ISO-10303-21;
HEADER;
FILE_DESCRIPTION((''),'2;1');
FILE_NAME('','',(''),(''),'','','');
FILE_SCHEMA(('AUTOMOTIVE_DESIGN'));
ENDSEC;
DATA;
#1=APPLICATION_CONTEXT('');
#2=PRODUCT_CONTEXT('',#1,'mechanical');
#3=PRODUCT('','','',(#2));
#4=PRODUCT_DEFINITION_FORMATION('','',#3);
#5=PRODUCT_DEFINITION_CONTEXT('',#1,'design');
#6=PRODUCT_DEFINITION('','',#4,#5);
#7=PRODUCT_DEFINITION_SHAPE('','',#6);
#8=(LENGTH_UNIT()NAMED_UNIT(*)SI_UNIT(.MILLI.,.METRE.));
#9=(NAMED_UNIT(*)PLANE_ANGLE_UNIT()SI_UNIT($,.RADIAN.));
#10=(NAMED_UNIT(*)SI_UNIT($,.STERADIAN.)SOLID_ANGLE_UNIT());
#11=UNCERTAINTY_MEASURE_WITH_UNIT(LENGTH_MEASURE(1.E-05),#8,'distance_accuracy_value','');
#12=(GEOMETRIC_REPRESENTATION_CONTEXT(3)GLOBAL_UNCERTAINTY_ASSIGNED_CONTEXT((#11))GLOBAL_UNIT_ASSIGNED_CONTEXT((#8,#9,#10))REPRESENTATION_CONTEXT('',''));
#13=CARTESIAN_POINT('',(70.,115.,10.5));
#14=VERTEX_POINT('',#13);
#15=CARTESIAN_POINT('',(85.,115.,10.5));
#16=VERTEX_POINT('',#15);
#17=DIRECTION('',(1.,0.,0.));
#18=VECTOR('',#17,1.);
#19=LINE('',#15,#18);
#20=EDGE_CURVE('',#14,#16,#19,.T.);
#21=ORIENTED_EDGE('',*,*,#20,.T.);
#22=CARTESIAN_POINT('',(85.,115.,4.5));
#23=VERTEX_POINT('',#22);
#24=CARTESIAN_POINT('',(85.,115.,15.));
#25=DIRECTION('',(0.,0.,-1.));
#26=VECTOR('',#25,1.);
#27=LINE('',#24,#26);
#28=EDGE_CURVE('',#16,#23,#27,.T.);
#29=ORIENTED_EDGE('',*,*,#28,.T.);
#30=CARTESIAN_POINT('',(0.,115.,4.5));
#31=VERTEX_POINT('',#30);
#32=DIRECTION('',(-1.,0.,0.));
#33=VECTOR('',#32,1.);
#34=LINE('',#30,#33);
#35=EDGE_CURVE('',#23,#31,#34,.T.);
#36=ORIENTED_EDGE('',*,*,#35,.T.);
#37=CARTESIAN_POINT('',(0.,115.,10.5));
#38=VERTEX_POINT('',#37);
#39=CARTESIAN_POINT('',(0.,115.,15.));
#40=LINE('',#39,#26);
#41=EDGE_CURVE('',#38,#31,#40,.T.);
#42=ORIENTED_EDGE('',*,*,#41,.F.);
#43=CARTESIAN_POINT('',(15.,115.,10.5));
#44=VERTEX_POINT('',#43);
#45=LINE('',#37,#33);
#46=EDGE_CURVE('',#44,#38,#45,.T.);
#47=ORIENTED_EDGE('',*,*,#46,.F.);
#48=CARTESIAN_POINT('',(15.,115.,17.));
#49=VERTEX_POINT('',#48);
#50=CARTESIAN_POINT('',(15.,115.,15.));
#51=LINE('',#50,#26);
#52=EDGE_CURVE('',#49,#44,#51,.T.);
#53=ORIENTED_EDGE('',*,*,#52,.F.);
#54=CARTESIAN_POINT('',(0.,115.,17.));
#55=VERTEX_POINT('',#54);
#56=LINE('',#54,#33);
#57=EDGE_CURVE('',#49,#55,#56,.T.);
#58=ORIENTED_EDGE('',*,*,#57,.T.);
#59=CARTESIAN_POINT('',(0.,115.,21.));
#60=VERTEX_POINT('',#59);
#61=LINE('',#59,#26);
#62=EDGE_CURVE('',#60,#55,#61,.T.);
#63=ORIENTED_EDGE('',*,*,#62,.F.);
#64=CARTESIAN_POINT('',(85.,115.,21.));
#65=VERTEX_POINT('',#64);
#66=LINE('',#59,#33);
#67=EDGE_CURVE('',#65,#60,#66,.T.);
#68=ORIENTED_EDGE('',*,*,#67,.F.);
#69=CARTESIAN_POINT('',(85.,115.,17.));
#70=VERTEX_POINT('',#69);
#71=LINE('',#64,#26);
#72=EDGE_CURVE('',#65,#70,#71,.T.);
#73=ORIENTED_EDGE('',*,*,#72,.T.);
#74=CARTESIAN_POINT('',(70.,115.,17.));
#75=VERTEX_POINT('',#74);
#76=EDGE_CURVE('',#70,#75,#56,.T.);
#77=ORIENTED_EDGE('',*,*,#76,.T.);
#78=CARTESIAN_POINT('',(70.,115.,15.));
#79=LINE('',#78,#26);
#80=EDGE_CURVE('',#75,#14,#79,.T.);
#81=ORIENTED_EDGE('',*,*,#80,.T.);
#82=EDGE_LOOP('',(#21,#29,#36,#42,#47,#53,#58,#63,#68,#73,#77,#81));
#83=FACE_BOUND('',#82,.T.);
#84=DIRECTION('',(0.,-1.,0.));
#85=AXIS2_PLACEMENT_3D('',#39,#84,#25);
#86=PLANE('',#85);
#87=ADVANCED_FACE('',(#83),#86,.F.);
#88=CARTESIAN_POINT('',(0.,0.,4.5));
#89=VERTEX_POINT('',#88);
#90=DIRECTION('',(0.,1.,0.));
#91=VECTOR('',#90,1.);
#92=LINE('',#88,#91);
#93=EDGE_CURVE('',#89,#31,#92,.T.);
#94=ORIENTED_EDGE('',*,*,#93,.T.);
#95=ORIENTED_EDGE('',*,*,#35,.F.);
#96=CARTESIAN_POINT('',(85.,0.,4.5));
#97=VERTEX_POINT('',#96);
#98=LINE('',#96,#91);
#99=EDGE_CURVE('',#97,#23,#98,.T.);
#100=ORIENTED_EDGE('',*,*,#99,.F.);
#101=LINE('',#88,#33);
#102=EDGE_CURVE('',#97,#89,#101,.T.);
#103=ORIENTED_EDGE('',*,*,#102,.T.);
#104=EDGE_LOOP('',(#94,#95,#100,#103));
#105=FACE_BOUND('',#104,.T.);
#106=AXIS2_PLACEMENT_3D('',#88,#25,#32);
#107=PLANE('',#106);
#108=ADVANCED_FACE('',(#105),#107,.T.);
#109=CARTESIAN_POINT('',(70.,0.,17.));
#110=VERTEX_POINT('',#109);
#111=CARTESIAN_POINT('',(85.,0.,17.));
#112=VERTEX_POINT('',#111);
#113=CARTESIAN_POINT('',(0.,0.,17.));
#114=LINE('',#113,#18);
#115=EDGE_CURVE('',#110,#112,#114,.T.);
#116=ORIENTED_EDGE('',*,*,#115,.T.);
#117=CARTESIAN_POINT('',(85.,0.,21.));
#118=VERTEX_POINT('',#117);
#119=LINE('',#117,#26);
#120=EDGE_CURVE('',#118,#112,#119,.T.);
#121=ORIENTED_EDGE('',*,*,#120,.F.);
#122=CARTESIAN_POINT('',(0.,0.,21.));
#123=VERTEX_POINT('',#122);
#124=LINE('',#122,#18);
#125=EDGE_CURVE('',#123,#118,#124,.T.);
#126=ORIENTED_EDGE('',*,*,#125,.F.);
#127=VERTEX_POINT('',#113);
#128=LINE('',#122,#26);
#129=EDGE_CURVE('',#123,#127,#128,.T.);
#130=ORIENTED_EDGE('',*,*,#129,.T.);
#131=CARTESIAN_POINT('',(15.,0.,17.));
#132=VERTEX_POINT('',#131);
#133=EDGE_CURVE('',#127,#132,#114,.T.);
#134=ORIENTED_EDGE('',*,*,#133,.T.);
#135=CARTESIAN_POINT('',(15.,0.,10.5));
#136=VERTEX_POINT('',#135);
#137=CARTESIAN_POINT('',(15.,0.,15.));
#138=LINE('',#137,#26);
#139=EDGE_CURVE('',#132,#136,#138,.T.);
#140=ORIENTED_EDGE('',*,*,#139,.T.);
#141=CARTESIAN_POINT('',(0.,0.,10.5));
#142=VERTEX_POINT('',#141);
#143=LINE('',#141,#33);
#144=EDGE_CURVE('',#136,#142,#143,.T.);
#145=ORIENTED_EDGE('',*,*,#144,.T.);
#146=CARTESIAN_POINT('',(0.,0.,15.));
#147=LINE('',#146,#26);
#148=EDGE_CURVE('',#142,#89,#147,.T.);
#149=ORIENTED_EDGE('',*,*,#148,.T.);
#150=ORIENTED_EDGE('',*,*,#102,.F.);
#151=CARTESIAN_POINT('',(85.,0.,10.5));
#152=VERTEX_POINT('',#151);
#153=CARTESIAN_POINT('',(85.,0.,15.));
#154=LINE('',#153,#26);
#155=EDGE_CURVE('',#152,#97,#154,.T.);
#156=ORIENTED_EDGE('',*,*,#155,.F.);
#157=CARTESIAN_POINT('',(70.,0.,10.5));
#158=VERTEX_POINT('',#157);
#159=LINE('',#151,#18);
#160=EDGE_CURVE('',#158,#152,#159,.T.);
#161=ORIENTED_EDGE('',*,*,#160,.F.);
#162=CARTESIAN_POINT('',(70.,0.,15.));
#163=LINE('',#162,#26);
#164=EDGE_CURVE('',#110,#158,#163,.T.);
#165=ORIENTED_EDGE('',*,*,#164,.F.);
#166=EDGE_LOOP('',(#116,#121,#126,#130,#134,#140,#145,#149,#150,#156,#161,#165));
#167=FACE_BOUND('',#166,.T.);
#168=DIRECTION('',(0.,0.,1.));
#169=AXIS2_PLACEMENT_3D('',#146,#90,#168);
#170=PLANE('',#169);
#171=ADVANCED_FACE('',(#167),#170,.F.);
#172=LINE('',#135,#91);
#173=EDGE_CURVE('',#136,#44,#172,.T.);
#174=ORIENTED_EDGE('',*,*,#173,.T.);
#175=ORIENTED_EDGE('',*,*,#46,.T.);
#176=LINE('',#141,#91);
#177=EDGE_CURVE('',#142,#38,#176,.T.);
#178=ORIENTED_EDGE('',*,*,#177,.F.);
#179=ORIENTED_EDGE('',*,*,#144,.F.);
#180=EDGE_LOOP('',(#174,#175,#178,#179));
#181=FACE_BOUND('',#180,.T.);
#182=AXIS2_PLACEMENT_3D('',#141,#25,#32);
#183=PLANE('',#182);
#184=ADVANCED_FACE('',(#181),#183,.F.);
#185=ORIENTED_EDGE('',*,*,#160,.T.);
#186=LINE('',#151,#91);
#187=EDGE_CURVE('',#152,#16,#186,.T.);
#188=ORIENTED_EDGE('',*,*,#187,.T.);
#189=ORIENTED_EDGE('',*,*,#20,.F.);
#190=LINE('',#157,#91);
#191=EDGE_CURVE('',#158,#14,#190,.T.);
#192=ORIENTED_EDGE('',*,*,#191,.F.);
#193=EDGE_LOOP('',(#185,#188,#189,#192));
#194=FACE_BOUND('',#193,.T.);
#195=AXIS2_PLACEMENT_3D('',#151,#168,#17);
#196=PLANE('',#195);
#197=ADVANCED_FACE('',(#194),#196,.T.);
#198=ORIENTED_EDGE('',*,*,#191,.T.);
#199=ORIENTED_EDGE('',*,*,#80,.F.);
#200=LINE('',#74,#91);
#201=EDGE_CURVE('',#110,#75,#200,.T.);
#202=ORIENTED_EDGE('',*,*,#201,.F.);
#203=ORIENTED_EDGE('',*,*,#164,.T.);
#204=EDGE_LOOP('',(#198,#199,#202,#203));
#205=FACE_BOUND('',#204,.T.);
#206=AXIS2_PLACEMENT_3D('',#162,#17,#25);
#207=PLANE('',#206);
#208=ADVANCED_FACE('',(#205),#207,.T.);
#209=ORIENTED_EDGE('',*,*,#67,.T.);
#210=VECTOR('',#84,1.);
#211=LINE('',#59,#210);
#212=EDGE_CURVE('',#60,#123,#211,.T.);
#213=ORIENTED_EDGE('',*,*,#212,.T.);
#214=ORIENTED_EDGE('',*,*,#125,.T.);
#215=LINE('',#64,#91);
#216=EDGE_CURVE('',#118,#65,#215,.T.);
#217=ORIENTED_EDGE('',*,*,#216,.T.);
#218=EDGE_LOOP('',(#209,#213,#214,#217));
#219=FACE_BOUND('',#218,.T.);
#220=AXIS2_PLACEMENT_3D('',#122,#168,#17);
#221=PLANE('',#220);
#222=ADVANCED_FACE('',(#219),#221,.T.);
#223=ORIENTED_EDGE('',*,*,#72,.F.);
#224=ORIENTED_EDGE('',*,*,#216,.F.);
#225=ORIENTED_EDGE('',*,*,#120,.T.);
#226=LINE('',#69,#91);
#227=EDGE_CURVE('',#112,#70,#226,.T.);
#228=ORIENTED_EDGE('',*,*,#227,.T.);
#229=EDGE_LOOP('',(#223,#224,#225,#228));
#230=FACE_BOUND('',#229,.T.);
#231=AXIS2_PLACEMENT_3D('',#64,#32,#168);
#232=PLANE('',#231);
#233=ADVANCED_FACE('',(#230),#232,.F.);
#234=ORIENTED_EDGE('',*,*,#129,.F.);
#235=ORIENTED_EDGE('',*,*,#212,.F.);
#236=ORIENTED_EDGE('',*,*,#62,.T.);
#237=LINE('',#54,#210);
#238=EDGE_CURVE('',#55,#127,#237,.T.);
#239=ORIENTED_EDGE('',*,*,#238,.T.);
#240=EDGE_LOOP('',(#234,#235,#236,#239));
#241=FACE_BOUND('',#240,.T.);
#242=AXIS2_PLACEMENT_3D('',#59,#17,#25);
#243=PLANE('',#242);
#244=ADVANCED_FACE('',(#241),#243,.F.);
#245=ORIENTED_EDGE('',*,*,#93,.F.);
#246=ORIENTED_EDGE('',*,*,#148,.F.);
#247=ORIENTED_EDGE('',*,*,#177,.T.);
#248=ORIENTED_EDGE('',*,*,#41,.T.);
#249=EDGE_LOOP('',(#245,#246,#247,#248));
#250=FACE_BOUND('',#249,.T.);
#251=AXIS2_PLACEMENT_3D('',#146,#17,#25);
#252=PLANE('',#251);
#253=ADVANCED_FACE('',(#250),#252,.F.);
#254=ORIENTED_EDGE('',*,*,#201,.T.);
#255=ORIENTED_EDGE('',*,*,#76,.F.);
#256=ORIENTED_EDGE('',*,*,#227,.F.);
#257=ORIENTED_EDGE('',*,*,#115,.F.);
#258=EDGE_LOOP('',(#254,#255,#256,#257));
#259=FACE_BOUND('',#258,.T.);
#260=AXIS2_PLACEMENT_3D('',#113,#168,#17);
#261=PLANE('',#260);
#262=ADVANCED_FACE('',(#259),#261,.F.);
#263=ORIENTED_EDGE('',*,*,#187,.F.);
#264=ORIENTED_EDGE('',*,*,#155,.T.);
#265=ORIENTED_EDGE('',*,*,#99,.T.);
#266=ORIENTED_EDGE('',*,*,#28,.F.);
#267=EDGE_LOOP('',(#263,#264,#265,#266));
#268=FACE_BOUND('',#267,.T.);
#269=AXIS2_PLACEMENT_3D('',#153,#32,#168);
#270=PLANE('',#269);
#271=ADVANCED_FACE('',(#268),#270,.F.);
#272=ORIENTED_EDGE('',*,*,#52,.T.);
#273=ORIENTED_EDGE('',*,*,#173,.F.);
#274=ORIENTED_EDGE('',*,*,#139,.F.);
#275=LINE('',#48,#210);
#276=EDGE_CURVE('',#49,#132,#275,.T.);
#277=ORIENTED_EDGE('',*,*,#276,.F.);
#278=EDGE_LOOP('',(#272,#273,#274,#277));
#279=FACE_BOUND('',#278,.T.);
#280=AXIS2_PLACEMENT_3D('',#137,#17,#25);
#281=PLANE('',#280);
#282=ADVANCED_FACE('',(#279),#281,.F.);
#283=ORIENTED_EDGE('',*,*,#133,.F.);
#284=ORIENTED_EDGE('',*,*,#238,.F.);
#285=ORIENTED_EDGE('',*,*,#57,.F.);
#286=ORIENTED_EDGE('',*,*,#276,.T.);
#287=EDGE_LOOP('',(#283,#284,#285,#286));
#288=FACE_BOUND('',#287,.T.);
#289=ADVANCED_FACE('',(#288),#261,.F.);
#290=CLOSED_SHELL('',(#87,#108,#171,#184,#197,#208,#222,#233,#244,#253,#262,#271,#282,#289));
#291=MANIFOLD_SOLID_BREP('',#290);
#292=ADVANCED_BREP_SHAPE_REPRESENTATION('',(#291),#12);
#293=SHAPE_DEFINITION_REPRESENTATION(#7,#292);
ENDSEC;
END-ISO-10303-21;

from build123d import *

# Parameters (mm, degrees)
SKETCH2_W               = 85
SKETCH2_H               = 115
BOSS_EXTRUDE1_DEPTH     = 15
SKETCH3_W               = 15
SKETCH3_H               = 4.5
CUT_EXTRUDE1_DEPTH      = 144.788038445
MIRROR2_COPY_1_SKETCH_W = 15
MIRROR2_COPY_1_SKETCH_H = 4.5
MIRROR2_COPY_1_DEPTH    = 144.788038445
SKETCH4_W               = 55
SKETCH4_H               = 115
BOSS_EXTRUDE2_DEPTH     = 2
SKETCH6_W               = 55
SKETCH6_H               = 115
CUT_EXTRUDE2_DEPTH      = 4.5
SKETCH5_W               = 85
SKETCH5_H               = 115
BOSS_EXTRUDE3_DEPTH     = 4


with BuildPart() as part:
    # Sketch2 → Boss-Extrude1 (new body)
    with BuildSketch(Plane.XY):
        with Locations((42.5, 57.5)):
            Rectangle(SKETCH2_W, SKETCH2_H)
    extrude(amount=BOSS_EXTRUDE1_DEPTH)

    # Sketch3 → Cut-Extrude1 (cut, through all)
    with BuildSketch(Plane(origin=(0, 115, 0), x_dir=(1, 0, 0), z_dir=(0, 1, 0))):
        with Locations((7.5, -12.75)):
            Rectangle(SKETCH3_W, SKETCH3_H)
    cut_extrude1 = extrude(amount=-CUT_EXTRUDE1_DEPTH, mode=Mode.SUBTRACT)

    # Mirror1: Cut-Extrude1 across plane
    add(cut_extrude1.mirror(Plane.XY.offset(7.5)), mode=Mode.SUBTRACT)

    # Mirror2: Cut-Extrude1 across plane
    add(cut_extrude1.mirror(Plane.ZY.offset(-42.5)), mode=Mode.SUBTRACT)

    # Mirror2 copy 1 sketch → Mirror2 copy 1 (cut, through all)
    with BuildSketch(Plane(origin=(85, 115, 15), x_dir=(-1, 0, 0), z_dir=(0, 1, 0))):
        with Locations((7.5, -12.75)):
            Rectangle(MIRROR2_COPY_1_SKETCH_W, MIRROR2_COPY_1_SKETCH_H)
    extrude(amount=-MIRROR2_COPY_1_DEPTH, mode=Mode.SUBTRACT)

    # Sketch4 → Boss-Extrude2 (add)
    with BuildSketch(Plane.XY.offset(15)):
        with Locations((42.5, 57.5)):
            Rectangle(SKETCH4_W, SKETCH4_H)
    extrude(amount=BOSS_EXTRUDE2_DEPTH)

    # Sketch6 → Cut-Extrude2 (cut)
    with BuildSketch(Plane(origin=(0, 0, 0), x_dir=(-1, 0, 0), z_dir=(0, 0, -1))):
        with Locations((-42.5, 57.5)):
            Rectangle(SKETCH6_W, SKETCH6_H)
    extrude(amount=-CUT_EXTRUDE2_DEPTH, mode=Mode.SUBTRACT)

    # Sketch5 → Boss-Extrude3 (add)
    with BuildSketch(Plane.XY.offset(17)):
        with Locations((42.5, 57.5)):
            Rectangle(SKETCH5_W, SKETCH5_H)
    extrude(amount=BOSS_EXTRUDE3_DEPTH)


solid = part.part
